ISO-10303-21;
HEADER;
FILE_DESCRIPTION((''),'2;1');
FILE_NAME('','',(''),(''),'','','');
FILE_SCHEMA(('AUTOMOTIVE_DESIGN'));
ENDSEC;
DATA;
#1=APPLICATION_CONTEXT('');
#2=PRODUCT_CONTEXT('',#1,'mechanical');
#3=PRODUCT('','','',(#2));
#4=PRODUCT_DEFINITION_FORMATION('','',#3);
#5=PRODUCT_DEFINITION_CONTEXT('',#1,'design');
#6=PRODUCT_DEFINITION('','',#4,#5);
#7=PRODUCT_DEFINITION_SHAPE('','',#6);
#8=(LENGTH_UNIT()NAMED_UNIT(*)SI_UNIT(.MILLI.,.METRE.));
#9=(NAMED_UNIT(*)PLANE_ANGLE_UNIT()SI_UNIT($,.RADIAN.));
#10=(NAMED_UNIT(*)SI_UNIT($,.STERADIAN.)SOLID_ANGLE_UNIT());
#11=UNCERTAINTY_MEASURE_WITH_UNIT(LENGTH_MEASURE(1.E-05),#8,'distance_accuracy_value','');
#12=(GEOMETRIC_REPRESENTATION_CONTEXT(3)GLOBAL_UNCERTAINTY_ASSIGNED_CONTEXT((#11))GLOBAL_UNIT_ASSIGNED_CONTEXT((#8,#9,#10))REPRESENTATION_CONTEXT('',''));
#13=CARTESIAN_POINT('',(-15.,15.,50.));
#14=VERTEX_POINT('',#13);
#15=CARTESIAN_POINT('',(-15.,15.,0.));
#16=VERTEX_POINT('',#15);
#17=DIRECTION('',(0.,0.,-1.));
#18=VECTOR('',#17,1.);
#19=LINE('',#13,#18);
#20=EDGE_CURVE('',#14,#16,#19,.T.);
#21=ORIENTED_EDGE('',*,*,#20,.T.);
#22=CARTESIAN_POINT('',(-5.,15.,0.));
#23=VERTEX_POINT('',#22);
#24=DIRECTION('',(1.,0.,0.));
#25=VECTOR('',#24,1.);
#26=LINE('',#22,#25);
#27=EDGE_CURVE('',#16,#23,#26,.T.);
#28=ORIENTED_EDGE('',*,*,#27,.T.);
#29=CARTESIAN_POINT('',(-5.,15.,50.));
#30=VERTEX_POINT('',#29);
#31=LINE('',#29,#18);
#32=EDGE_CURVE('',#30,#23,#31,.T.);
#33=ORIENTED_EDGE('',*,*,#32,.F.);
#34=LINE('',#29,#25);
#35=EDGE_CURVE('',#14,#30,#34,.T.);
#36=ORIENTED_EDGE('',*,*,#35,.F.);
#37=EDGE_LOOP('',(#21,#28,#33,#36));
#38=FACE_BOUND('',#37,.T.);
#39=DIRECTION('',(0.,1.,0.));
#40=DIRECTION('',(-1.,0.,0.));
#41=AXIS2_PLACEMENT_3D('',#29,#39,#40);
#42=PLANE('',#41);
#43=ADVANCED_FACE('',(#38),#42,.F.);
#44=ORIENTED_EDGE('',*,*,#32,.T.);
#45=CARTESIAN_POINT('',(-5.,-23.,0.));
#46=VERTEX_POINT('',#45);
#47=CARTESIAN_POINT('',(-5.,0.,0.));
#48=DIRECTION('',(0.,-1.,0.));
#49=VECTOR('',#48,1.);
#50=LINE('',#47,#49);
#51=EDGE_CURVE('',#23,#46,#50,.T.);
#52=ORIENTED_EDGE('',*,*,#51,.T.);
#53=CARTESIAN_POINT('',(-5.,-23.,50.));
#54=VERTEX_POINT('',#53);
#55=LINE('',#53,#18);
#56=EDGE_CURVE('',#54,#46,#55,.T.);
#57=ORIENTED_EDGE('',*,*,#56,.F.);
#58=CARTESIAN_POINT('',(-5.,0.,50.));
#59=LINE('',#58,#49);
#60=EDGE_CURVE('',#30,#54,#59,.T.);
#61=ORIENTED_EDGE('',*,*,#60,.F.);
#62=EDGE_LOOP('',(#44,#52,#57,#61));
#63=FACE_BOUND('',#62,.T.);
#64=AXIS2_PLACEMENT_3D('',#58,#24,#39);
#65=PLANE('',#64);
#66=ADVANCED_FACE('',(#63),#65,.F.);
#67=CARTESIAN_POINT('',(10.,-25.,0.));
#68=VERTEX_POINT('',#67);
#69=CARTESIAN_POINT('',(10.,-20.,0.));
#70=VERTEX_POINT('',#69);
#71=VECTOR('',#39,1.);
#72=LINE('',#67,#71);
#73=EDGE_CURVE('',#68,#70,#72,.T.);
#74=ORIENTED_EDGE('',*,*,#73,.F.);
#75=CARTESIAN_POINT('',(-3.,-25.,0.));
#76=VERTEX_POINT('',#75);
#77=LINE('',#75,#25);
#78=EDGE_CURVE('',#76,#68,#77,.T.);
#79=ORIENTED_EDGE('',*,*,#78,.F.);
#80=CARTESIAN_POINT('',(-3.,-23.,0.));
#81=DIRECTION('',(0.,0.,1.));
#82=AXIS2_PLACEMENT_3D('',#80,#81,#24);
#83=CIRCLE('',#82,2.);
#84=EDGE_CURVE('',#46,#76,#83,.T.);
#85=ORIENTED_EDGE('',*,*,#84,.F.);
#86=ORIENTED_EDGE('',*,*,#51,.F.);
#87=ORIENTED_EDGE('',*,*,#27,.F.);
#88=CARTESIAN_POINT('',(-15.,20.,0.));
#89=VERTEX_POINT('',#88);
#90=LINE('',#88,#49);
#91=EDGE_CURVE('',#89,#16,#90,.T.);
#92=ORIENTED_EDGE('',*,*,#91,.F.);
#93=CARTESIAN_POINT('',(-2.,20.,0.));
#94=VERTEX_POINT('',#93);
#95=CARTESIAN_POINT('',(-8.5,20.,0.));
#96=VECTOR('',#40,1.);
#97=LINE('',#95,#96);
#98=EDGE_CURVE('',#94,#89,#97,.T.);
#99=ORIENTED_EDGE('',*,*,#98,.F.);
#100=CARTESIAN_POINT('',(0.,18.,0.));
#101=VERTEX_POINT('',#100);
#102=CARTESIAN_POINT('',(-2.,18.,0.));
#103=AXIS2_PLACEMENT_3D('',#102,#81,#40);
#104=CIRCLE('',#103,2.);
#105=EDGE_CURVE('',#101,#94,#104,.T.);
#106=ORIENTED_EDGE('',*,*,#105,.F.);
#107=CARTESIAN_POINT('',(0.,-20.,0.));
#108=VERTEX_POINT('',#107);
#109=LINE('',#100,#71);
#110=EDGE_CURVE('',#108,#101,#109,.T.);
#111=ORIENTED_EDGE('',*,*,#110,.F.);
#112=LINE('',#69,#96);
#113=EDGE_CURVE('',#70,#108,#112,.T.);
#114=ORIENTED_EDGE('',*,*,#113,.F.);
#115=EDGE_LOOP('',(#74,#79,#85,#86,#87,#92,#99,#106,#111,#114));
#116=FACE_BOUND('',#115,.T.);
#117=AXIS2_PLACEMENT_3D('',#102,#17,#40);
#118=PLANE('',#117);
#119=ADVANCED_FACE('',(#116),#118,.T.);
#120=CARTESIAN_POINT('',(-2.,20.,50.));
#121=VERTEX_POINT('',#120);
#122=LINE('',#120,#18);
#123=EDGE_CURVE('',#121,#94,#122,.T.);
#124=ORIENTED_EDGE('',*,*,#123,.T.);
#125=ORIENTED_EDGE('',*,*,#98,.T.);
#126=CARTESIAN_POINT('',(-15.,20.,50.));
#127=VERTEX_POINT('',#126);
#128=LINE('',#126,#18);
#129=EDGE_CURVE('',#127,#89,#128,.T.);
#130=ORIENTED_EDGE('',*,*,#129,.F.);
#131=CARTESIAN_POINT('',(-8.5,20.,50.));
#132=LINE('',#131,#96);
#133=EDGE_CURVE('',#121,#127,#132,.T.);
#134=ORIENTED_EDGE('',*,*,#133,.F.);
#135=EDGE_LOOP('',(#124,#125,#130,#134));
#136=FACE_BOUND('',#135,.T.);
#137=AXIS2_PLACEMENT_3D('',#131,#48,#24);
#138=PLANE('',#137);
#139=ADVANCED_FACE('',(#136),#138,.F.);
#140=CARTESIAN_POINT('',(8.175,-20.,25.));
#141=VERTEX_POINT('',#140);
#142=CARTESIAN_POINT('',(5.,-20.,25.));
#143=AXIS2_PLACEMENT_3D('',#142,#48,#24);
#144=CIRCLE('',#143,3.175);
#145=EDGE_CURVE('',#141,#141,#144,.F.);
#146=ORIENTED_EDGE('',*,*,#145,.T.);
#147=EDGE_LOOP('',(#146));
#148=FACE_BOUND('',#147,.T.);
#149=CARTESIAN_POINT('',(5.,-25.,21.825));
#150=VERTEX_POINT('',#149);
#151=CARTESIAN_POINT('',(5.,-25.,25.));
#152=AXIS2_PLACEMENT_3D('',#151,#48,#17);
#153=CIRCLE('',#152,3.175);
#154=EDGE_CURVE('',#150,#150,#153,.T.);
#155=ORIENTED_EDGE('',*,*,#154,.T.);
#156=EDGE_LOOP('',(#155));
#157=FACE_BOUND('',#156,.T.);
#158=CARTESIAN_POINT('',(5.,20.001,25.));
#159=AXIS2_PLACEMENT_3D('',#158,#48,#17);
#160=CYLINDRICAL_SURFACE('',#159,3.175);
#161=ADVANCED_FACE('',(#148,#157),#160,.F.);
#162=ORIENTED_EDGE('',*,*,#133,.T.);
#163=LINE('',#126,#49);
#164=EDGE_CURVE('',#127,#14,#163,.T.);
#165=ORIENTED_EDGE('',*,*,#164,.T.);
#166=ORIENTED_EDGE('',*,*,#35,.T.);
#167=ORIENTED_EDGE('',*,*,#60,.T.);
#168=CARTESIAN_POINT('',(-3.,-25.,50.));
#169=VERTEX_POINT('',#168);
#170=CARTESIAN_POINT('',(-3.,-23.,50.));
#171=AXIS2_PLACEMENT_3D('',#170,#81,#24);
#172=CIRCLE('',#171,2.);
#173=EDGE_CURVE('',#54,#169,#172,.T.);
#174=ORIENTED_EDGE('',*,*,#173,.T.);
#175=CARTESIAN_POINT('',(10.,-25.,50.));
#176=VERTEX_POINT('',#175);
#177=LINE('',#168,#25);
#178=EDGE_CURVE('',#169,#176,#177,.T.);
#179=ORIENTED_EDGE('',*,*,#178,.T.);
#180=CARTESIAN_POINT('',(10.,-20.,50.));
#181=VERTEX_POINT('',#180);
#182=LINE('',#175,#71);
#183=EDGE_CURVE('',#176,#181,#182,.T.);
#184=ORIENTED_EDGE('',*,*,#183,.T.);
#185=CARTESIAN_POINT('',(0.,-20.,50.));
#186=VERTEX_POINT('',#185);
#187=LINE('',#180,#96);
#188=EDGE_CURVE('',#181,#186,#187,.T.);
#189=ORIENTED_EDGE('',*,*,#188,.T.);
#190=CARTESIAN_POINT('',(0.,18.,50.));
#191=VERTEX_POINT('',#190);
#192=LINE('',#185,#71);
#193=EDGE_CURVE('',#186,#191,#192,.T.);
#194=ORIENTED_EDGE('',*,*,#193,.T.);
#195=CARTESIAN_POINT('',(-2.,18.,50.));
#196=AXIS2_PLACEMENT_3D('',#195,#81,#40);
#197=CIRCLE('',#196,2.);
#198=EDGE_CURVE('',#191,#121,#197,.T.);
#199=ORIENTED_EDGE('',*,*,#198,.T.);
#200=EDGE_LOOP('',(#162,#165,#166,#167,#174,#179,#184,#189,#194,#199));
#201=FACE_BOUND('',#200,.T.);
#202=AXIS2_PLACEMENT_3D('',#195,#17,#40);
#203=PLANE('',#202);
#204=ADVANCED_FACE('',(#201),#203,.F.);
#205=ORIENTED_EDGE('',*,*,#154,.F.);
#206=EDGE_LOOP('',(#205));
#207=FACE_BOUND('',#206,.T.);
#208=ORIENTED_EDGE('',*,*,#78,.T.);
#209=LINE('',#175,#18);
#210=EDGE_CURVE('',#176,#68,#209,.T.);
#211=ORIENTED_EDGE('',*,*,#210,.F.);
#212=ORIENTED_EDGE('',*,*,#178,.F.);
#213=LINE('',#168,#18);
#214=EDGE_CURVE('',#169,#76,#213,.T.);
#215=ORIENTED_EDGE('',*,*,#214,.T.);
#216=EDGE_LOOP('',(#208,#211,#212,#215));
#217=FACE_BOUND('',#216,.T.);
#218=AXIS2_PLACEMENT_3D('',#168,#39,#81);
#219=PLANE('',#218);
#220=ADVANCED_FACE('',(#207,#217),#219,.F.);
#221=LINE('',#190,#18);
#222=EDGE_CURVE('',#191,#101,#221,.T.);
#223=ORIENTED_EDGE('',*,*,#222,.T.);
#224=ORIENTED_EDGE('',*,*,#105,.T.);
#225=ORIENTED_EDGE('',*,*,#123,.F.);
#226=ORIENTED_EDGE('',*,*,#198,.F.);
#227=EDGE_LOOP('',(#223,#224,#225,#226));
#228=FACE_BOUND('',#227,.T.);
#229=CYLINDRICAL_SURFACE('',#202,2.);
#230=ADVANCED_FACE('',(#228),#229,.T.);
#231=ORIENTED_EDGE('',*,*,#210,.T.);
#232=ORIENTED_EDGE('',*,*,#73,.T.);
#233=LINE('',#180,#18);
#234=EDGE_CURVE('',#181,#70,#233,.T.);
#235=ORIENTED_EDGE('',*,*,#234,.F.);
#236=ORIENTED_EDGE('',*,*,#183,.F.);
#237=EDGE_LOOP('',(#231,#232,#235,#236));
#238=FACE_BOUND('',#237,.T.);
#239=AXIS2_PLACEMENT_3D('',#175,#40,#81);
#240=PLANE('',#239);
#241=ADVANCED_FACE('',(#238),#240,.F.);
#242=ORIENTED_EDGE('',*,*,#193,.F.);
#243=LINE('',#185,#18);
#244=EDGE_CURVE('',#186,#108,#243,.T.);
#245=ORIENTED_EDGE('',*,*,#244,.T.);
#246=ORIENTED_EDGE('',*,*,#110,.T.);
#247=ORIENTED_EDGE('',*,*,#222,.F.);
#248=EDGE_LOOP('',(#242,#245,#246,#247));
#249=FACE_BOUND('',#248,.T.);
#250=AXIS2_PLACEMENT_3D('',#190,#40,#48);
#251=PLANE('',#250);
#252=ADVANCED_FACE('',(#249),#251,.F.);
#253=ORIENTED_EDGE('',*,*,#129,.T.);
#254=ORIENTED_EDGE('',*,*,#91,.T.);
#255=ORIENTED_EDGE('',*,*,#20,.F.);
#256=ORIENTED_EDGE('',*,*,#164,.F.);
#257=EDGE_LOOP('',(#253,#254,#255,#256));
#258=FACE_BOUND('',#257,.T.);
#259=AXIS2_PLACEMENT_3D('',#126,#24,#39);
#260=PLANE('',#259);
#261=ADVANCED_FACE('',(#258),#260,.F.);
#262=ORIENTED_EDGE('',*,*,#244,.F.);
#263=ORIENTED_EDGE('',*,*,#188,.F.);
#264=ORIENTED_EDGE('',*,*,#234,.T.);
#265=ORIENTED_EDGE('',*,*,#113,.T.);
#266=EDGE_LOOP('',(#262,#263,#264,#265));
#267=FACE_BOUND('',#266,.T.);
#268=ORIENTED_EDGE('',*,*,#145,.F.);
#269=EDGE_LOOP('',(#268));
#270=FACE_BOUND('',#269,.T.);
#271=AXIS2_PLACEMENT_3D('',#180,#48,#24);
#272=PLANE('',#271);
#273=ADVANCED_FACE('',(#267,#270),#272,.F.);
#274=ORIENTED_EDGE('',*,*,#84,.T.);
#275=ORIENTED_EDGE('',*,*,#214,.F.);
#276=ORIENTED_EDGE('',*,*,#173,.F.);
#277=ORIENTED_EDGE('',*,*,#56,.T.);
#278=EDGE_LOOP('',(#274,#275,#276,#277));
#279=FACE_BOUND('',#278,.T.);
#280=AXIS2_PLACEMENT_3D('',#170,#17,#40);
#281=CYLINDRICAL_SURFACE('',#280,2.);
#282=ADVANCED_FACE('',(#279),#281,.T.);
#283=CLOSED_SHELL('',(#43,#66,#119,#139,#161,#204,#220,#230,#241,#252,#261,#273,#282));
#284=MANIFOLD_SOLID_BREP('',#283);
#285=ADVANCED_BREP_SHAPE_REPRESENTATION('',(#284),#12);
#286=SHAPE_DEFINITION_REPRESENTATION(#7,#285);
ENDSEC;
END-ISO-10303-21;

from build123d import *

# Parameters (mm, degrees)
SALIENTE_EXTRUIR1_DEPTH = 50
CORTAR_EXTRUIR1_REACH   = 70.92
CROQUIS2_R              = 3.175


with BuildPart() as part:
    # Croquis1 → Saliente-Extruir1 (new body)
    with BuildSketch(Plane.XY):
        with BuildLine():
            Line((0, 0), (0, 9))
            Line((0, 9), (0, 18))
            ThreePointArc((0, 18), (-0.585786438, 19.414213562), (-2, 20))
            Line((-2, 20), (-8.5, 20))
            Line((-8.5, 20), (-15, 20))
            Line((-15, 20), (-15, 15))
            Line((-15, 15), (-5, 15))
            Line((-5, 15), (-5, 0))
            Line((-5, 0), (-5, -23))
            ThreePointArc((-5, -23), (-4.414213562, -24.414213562), (-3, -25))
            Line((-3, -25), (10, -25))
            Line((10, -25), (10, -20))
            Line((10, -20), (0, -20))
            Line((0, -20), (0, 0))
        make_face()
    extrude(amount=SALIENTE_EXTRUIR1_DEPTH)

    # Croquis2 → Cortar-Extruir1 (cut, up to next)
    with BuildSketch(Plane.XZ.offset(25), mode=Mode.PRIVATE) as cortar_extruir1_sk1:
        with Locations(Location((5, 25, 0), (0, 0, 270))):
            Circle(CROQUIS2_R)
    cortar_extruir1_tool1 = extrude(cortar_extruir1_sk1.sketch, amount=-CORTAR_EXTRUIR1_REACH, mode=Mode.PRIVATE) & part.part
    add(cortar_extruir1_tool1.solids().sort_by_distance((5, -25, 25))[0], mode=Mode.SUBTRACT)


solid = part.part
